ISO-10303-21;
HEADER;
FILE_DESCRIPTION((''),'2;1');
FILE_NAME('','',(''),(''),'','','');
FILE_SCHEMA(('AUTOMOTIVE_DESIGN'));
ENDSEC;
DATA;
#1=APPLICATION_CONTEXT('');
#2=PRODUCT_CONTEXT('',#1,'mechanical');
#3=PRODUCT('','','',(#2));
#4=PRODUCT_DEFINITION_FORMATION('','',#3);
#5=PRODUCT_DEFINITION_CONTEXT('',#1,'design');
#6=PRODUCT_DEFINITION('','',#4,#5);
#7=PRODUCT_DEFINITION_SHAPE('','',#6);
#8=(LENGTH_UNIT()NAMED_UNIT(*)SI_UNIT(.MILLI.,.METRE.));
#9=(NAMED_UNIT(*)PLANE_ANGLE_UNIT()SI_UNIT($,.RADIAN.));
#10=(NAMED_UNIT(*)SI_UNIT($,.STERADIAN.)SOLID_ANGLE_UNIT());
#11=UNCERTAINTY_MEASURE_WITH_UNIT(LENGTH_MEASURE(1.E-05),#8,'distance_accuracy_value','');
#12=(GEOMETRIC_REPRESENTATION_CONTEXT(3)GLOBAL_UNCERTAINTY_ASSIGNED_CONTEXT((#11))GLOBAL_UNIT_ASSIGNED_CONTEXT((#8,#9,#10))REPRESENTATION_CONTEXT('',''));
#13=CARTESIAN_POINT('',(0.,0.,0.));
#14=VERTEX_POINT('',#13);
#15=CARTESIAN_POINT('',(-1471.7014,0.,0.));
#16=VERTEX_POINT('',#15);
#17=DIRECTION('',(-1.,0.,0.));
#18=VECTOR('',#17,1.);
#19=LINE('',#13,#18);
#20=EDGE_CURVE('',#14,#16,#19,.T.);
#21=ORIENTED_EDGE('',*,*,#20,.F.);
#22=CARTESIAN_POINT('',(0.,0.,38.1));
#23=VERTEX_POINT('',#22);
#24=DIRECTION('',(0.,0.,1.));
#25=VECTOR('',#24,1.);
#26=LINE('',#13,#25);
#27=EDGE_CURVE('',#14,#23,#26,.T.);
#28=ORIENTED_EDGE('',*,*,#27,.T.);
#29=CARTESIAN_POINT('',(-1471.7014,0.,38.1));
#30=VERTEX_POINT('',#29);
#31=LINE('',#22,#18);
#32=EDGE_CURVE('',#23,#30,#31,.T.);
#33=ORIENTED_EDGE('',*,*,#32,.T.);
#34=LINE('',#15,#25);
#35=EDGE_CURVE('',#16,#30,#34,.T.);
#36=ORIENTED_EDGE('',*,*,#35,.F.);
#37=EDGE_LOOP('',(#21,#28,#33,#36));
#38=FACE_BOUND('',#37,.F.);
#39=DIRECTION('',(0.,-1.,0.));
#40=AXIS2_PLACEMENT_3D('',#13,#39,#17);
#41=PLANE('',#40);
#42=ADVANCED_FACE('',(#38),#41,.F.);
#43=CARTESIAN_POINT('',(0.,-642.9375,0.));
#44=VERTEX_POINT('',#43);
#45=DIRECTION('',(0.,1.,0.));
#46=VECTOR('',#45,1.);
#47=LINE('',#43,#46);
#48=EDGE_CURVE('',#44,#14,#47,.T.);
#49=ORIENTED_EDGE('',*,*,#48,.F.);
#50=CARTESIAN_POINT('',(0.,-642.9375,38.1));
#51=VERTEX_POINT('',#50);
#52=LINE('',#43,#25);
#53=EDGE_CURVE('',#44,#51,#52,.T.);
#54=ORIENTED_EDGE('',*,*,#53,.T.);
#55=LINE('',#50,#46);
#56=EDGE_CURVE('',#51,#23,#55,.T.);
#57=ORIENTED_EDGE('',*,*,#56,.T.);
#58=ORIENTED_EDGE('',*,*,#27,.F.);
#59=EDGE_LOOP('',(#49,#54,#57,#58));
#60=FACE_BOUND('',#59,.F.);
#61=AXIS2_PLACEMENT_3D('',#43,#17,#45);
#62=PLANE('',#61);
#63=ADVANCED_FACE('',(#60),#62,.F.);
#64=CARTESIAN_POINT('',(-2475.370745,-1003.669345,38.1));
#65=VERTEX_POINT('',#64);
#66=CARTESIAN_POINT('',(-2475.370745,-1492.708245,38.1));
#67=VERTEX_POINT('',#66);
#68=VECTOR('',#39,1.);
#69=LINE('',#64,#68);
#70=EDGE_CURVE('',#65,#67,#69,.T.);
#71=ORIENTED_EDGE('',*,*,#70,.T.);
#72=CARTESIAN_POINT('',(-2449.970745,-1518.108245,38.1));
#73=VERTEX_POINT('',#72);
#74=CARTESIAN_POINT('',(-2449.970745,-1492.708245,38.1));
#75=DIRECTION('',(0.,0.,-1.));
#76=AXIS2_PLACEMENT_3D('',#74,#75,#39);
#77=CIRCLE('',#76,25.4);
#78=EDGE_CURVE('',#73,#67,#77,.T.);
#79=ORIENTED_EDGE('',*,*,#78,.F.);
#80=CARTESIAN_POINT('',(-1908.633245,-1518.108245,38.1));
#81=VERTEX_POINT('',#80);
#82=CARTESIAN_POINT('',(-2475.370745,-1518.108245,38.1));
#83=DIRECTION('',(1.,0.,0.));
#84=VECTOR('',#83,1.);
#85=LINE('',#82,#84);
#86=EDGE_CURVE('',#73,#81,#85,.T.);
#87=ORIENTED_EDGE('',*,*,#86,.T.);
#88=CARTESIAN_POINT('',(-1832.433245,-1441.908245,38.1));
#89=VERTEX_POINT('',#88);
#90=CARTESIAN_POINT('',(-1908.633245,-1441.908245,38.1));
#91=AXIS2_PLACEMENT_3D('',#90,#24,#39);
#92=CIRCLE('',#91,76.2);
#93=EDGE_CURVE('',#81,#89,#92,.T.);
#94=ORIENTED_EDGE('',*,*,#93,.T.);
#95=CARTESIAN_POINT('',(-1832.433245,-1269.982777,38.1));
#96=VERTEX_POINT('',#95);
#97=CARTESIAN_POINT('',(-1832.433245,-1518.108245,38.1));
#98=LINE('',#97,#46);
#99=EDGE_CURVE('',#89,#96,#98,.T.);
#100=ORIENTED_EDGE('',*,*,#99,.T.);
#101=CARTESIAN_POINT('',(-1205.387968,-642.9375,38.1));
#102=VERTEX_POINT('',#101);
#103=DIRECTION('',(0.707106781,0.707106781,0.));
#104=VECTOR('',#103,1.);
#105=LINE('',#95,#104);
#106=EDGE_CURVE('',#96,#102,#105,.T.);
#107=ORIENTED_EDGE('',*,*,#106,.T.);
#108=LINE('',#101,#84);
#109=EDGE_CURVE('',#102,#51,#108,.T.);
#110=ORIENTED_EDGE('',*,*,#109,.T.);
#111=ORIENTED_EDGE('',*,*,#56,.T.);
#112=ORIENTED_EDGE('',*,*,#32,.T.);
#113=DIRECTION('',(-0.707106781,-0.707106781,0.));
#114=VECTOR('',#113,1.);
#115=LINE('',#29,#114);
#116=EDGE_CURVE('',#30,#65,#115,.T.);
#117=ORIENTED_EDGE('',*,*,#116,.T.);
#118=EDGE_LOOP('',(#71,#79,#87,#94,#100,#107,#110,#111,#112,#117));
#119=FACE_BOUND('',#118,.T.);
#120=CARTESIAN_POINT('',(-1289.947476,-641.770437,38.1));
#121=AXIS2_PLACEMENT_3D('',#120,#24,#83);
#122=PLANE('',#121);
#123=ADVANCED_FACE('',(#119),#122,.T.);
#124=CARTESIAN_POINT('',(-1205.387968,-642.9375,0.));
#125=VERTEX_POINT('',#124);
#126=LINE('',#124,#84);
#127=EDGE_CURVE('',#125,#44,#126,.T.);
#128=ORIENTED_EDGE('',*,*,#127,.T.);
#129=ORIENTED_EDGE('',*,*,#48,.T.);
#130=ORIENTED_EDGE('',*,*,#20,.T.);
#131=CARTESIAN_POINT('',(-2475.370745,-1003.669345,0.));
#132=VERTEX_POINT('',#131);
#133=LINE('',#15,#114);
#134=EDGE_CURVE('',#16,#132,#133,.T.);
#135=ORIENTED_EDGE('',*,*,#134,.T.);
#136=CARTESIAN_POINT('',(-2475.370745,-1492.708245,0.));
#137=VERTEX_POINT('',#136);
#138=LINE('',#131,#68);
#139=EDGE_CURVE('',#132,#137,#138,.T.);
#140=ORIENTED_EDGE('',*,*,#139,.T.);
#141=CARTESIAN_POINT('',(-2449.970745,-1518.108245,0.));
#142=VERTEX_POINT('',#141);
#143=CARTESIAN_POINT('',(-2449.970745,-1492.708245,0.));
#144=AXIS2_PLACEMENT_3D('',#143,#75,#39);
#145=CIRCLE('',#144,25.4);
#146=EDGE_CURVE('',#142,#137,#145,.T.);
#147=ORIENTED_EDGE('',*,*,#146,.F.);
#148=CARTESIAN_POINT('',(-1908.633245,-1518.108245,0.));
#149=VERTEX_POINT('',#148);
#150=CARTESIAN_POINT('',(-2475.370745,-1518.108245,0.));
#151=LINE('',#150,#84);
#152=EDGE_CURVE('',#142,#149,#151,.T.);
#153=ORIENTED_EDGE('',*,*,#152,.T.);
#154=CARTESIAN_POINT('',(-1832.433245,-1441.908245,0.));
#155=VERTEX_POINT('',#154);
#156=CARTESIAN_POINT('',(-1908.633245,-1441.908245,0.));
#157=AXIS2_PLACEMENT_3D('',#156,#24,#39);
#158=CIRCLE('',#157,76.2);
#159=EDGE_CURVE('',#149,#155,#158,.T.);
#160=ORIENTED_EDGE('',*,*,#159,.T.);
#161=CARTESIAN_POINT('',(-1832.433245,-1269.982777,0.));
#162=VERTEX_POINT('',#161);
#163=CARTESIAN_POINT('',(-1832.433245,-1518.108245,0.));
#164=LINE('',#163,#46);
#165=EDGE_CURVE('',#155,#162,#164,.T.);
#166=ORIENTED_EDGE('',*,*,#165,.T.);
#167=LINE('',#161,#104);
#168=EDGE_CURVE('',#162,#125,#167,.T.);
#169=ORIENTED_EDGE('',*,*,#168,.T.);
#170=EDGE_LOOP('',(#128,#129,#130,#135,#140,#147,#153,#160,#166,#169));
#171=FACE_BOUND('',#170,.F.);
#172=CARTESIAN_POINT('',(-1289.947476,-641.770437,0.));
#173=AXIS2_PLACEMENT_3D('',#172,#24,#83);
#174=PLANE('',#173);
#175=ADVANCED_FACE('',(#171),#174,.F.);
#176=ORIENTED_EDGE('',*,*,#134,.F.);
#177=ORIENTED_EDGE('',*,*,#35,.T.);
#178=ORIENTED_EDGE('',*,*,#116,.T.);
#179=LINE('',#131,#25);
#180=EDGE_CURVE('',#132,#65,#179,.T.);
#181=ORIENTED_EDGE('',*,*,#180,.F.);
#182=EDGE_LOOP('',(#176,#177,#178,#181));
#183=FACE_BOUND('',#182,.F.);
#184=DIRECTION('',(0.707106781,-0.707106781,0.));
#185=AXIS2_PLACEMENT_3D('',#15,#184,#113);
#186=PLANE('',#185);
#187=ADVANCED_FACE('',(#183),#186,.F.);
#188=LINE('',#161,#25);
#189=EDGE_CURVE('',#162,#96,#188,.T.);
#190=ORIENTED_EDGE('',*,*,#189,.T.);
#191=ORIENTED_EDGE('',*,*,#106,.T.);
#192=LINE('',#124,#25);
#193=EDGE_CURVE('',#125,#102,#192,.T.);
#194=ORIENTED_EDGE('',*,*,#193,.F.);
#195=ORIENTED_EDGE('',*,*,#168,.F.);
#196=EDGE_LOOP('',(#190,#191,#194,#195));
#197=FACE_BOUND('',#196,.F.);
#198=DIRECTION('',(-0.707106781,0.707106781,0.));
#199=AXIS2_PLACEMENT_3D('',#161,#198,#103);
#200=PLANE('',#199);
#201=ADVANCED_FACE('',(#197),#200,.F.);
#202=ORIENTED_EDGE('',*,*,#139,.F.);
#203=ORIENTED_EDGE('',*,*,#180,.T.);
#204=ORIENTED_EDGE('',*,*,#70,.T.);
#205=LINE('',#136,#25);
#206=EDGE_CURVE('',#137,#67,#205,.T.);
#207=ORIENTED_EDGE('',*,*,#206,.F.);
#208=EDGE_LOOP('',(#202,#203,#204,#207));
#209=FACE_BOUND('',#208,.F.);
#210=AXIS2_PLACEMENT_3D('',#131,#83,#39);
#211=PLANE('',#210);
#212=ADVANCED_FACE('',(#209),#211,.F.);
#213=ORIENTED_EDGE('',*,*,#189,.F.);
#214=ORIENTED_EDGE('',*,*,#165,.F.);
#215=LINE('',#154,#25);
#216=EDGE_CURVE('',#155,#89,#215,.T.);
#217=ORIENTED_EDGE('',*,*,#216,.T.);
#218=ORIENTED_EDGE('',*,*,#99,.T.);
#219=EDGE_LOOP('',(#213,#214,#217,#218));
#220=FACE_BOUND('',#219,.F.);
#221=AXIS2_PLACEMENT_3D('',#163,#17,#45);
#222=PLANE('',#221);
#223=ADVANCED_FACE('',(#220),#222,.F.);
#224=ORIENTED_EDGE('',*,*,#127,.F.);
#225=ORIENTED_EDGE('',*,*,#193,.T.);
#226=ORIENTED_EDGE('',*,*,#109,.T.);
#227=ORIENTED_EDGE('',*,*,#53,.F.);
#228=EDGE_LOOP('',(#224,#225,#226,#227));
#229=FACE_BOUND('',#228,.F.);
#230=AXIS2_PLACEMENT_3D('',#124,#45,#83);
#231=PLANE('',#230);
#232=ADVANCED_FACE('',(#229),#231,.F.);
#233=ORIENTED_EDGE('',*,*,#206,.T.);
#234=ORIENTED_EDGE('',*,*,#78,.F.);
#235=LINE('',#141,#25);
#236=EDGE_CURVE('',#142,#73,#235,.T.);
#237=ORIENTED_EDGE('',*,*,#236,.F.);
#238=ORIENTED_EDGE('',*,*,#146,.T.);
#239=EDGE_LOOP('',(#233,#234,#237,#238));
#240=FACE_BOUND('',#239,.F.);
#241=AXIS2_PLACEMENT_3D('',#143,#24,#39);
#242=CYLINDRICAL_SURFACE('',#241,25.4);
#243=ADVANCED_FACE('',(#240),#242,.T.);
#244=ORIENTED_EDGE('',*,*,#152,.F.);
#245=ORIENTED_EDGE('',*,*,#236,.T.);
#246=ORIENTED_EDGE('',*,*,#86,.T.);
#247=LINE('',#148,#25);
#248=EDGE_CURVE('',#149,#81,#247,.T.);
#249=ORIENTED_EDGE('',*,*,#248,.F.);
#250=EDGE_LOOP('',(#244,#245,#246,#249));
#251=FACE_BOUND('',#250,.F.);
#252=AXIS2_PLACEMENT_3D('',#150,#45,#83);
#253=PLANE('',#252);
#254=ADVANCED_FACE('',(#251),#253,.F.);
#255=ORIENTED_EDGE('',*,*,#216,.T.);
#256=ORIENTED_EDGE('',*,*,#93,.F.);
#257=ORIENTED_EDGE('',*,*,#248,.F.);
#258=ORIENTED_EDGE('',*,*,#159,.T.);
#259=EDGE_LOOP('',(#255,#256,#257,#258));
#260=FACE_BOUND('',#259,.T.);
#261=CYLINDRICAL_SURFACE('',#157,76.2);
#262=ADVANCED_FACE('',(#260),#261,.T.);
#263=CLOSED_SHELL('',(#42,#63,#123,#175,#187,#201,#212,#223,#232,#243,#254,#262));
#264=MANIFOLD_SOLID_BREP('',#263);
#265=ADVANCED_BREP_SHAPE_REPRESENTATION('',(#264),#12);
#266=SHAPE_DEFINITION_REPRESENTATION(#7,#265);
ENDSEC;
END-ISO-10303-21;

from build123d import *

# Parameters (mm, degrees)
F1_DEPTH = 38.1
F2_R     = 76.2
F3_R     = 25.4


with BuildPart() as f1:
    # F0 (on Top) → F1 (new body)
    with BuildSketch(Plane.XY):
        Polygon((0, -642.9375), (0, 0), (-1471.7014, 0), (-2475.370745, -1003.669345), (-2475.370745, -1518.108245), (-1832.433245, -1518.108245), (-1832.433245, -1269.982777), (-1205.387968, -642.9375), align=None)
    extrude(amount=F1_DEPTH)

    # F2
    f2_edges = [f1.edges().sort_by_distance(p)[0] for p in [
        (-1832.433245, -1518.108245, 19.05),
    ]]
    fillet(f2_edges, radius=F2_R)

    # F3
    f3_edges = [f1.edges().sort_by_distance(p)[0] for p in [
        (-2475.370745, -1518.108245, 19.05),
    ]]
    fillet(f3_edges, radius=F3_R)


solid = f1.part
